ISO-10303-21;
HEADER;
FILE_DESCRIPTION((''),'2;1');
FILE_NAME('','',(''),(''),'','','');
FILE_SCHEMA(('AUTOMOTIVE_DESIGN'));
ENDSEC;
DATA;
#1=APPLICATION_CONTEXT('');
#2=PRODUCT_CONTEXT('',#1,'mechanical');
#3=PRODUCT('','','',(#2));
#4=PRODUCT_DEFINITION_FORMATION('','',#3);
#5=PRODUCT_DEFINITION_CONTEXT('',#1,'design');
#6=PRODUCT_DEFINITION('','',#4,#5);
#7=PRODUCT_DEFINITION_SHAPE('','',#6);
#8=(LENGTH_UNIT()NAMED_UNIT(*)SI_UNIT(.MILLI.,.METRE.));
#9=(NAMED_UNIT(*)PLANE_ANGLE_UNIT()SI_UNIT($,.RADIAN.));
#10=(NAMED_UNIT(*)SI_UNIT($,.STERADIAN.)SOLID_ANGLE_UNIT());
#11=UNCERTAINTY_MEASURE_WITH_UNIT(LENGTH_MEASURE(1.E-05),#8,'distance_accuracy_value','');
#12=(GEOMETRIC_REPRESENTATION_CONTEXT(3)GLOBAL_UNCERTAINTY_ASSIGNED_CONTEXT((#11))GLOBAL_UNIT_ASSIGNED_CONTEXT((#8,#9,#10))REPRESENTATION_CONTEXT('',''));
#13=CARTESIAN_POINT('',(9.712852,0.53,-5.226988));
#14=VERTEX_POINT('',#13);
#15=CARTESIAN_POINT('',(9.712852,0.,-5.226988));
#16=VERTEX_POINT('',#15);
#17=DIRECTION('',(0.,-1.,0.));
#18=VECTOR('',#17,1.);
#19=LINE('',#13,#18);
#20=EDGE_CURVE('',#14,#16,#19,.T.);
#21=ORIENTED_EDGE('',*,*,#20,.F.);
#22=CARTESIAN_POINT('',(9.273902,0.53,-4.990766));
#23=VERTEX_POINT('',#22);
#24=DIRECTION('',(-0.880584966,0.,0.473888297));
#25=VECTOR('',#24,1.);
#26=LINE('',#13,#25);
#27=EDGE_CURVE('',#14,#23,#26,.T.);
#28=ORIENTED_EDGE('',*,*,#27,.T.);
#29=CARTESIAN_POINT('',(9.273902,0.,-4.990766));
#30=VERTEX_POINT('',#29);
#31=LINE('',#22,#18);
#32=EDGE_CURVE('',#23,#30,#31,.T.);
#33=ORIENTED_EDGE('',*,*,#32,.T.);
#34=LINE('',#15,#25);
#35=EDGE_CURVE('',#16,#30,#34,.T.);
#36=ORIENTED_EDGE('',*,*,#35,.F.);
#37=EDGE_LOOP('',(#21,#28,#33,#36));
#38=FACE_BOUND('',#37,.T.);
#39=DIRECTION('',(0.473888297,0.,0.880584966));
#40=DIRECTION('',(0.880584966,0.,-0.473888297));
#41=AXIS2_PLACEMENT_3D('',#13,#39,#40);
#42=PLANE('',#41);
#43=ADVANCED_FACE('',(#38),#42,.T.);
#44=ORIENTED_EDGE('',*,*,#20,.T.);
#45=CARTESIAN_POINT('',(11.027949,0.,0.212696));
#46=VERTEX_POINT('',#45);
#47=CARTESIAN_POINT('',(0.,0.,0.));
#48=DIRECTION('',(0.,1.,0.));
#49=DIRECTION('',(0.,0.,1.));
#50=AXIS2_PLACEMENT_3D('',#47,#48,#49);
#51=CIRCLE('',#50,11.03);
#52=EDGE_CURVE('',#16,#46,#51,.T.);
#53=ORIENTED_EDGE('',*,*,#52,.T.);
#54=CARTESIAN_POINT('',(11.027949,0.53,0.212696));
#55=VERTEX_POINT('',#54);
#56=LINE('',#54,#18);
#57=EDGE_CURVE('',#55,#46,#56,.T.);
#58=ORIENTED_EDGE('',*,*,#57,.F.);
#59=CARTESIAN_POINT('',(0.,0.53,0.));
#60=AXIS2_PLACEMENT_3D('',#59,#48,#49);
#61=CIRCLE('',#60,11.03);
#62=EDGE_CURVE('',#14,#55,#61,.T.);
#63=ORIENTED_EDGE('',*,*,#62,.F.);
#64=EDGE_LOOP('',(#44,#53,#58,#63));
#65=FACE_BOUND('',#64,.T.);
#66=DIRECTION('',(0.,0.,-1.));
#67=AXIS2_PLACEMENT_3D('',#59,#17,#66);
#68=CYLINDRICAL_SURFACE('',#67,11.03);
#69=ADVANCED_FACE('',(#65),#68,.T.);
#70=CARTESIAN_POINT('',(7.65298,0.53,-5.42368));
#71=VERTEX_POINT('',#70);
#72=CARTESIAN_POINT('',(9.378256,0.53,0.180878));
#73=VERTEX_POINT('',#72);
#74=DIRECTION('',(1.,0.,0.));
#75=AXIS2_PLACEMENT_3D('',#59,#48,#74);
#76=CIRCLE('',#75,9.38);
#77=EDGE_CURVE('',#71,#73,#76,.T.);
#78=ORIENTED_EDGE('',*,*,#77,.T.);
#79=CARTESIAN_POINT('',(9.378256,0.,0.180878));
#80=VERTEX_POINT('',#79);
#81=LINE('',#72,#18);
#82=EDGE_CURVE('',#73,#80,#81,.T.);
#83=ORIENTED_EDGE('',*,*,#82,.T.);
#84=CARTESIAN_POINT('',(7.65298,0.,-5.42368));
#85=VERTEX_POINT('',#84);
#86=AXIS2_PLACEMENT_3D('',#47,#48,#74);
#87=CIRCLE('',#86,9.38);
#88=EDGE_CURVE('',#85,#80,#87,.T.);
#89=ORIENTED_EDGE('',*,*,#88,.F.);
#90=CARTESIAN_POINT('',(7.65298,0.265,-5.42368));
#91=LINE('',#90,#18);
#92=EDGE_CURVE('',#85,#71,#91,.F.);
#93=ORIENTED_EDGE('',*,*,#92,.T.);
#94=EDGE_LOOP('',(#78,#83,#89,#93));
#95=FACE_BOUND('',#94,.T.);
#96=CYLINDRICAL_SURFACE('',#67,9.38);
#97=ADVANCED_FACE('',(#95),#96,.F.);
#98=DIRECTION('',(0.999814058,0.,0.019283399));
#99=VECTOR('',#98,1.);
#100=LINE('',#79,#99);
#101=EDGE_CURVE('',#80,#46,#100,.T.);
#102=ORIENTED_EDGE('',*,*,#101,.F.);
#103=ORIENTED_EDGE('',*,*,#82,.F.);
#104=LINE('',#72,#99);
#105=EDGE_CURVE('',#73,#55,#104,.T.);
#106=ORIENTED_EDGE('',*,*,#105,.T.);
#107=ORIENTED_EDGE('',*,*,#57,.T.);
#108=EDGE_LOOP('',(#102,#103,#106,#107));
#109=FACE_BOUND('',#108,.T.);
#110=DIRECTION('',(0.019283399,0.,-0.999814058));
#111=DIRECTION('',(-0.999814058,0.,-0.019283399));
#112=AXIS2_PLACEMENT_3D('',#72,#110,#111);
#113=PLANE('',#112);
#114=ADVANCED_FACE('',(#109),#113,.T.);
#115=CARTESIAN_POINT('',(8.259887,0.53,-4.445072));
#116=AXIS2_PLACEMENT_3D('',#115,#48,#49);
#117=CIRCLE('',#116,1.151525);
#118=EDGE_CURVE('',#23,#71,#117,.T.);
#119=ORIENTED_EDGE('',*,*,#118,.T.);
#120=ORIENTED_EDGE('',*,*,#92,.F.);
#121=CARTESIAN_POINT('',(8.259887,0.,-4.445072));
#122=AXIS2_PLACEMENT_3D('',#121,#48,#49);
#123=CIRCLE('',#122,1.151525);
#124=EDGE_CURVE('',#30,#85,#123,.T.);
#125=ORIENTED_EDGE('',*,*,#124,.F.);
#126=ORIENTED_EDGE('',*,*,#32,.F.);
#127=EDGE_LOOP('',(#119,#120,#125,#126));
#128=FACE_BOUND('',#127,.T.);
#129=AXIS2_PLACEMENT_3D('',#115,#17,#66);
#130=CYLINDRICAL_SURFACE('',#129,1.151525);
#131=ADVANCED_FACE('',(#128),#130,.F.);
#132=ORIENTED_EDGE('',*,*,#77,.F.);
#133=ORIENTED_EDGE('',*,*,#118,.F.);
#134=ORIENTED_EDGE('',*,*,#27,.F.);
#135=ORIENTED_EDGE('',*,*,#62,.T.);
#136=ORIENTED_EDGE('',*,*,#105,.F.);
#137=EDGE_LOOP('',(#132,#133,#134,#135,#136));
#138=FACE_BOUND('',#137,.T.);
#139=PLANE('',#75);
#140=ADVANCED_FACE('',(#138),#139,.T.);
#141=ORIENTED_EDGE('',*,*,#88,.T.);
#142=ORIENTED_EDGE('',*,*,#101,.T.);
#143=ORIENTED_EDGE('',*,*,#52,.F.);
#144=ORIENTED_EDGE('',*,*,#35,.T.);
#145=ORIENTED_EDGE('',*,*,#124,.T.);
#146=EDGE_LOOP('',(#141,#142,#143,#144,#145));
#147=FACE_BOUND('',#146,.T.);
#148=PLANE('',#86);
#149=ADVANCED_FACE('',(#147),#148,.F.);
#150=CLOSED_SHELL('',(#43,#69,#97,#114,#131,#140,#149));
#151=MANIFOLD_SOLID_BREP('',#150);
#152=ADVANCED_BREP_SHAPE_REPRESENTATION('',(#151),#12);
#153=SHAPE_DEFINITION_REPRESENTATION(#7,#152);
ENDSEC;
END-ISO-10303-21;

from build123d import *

# Parameters (mm, degrees)
EXTRUDE_THIN1_DEPTH = 0.53
SKETCH2_R           = 1.151524856
CUT_EXTRUDE1_DEPTH  = 16.607776908


with BuildPart() as part:
    # Sketch1 → Extrude-Thin1 (new body)
    with BuildSketch(Plane(origin=(0, 0, 0), x_dir=(1, 0, 0), z_dir=(0, 1, 0))):
        with BuildLine():
            ThreePointArc((9.712852175, 5.226987912), (-10.721135618, -2.591939635), (11.027949059, -0.212695892))
            Line((11.027949059, -0.212695892), (9.378255864, -0.180878284))
            ThreePointArc((9.378255864, -0.180878284), (-9.117339265, -2.204206144), (8.259886981, 4.445072223))
            Line((8.259886981, 4.445072223), (9.712852175, 5.226987912))
        make_face()
    extrude(amount=EXTRUDE_THIN1_DEPTH)

    # Sketch2 → Cut-Extrude1 (cut, through all)
    with BuildSketch(Plane(origin=(0, 0, 0), x_dir=(1, 0, 0), z_dir=(0, 1, 0))):
        with Locations((8.259886981, 4.445072223)):
            Circle(SKETCH2_R)
    extrude(amount=CUT_EXTRUDE1_DEPTH, mode=Mode.SUBTRACT)


solid = part.part
